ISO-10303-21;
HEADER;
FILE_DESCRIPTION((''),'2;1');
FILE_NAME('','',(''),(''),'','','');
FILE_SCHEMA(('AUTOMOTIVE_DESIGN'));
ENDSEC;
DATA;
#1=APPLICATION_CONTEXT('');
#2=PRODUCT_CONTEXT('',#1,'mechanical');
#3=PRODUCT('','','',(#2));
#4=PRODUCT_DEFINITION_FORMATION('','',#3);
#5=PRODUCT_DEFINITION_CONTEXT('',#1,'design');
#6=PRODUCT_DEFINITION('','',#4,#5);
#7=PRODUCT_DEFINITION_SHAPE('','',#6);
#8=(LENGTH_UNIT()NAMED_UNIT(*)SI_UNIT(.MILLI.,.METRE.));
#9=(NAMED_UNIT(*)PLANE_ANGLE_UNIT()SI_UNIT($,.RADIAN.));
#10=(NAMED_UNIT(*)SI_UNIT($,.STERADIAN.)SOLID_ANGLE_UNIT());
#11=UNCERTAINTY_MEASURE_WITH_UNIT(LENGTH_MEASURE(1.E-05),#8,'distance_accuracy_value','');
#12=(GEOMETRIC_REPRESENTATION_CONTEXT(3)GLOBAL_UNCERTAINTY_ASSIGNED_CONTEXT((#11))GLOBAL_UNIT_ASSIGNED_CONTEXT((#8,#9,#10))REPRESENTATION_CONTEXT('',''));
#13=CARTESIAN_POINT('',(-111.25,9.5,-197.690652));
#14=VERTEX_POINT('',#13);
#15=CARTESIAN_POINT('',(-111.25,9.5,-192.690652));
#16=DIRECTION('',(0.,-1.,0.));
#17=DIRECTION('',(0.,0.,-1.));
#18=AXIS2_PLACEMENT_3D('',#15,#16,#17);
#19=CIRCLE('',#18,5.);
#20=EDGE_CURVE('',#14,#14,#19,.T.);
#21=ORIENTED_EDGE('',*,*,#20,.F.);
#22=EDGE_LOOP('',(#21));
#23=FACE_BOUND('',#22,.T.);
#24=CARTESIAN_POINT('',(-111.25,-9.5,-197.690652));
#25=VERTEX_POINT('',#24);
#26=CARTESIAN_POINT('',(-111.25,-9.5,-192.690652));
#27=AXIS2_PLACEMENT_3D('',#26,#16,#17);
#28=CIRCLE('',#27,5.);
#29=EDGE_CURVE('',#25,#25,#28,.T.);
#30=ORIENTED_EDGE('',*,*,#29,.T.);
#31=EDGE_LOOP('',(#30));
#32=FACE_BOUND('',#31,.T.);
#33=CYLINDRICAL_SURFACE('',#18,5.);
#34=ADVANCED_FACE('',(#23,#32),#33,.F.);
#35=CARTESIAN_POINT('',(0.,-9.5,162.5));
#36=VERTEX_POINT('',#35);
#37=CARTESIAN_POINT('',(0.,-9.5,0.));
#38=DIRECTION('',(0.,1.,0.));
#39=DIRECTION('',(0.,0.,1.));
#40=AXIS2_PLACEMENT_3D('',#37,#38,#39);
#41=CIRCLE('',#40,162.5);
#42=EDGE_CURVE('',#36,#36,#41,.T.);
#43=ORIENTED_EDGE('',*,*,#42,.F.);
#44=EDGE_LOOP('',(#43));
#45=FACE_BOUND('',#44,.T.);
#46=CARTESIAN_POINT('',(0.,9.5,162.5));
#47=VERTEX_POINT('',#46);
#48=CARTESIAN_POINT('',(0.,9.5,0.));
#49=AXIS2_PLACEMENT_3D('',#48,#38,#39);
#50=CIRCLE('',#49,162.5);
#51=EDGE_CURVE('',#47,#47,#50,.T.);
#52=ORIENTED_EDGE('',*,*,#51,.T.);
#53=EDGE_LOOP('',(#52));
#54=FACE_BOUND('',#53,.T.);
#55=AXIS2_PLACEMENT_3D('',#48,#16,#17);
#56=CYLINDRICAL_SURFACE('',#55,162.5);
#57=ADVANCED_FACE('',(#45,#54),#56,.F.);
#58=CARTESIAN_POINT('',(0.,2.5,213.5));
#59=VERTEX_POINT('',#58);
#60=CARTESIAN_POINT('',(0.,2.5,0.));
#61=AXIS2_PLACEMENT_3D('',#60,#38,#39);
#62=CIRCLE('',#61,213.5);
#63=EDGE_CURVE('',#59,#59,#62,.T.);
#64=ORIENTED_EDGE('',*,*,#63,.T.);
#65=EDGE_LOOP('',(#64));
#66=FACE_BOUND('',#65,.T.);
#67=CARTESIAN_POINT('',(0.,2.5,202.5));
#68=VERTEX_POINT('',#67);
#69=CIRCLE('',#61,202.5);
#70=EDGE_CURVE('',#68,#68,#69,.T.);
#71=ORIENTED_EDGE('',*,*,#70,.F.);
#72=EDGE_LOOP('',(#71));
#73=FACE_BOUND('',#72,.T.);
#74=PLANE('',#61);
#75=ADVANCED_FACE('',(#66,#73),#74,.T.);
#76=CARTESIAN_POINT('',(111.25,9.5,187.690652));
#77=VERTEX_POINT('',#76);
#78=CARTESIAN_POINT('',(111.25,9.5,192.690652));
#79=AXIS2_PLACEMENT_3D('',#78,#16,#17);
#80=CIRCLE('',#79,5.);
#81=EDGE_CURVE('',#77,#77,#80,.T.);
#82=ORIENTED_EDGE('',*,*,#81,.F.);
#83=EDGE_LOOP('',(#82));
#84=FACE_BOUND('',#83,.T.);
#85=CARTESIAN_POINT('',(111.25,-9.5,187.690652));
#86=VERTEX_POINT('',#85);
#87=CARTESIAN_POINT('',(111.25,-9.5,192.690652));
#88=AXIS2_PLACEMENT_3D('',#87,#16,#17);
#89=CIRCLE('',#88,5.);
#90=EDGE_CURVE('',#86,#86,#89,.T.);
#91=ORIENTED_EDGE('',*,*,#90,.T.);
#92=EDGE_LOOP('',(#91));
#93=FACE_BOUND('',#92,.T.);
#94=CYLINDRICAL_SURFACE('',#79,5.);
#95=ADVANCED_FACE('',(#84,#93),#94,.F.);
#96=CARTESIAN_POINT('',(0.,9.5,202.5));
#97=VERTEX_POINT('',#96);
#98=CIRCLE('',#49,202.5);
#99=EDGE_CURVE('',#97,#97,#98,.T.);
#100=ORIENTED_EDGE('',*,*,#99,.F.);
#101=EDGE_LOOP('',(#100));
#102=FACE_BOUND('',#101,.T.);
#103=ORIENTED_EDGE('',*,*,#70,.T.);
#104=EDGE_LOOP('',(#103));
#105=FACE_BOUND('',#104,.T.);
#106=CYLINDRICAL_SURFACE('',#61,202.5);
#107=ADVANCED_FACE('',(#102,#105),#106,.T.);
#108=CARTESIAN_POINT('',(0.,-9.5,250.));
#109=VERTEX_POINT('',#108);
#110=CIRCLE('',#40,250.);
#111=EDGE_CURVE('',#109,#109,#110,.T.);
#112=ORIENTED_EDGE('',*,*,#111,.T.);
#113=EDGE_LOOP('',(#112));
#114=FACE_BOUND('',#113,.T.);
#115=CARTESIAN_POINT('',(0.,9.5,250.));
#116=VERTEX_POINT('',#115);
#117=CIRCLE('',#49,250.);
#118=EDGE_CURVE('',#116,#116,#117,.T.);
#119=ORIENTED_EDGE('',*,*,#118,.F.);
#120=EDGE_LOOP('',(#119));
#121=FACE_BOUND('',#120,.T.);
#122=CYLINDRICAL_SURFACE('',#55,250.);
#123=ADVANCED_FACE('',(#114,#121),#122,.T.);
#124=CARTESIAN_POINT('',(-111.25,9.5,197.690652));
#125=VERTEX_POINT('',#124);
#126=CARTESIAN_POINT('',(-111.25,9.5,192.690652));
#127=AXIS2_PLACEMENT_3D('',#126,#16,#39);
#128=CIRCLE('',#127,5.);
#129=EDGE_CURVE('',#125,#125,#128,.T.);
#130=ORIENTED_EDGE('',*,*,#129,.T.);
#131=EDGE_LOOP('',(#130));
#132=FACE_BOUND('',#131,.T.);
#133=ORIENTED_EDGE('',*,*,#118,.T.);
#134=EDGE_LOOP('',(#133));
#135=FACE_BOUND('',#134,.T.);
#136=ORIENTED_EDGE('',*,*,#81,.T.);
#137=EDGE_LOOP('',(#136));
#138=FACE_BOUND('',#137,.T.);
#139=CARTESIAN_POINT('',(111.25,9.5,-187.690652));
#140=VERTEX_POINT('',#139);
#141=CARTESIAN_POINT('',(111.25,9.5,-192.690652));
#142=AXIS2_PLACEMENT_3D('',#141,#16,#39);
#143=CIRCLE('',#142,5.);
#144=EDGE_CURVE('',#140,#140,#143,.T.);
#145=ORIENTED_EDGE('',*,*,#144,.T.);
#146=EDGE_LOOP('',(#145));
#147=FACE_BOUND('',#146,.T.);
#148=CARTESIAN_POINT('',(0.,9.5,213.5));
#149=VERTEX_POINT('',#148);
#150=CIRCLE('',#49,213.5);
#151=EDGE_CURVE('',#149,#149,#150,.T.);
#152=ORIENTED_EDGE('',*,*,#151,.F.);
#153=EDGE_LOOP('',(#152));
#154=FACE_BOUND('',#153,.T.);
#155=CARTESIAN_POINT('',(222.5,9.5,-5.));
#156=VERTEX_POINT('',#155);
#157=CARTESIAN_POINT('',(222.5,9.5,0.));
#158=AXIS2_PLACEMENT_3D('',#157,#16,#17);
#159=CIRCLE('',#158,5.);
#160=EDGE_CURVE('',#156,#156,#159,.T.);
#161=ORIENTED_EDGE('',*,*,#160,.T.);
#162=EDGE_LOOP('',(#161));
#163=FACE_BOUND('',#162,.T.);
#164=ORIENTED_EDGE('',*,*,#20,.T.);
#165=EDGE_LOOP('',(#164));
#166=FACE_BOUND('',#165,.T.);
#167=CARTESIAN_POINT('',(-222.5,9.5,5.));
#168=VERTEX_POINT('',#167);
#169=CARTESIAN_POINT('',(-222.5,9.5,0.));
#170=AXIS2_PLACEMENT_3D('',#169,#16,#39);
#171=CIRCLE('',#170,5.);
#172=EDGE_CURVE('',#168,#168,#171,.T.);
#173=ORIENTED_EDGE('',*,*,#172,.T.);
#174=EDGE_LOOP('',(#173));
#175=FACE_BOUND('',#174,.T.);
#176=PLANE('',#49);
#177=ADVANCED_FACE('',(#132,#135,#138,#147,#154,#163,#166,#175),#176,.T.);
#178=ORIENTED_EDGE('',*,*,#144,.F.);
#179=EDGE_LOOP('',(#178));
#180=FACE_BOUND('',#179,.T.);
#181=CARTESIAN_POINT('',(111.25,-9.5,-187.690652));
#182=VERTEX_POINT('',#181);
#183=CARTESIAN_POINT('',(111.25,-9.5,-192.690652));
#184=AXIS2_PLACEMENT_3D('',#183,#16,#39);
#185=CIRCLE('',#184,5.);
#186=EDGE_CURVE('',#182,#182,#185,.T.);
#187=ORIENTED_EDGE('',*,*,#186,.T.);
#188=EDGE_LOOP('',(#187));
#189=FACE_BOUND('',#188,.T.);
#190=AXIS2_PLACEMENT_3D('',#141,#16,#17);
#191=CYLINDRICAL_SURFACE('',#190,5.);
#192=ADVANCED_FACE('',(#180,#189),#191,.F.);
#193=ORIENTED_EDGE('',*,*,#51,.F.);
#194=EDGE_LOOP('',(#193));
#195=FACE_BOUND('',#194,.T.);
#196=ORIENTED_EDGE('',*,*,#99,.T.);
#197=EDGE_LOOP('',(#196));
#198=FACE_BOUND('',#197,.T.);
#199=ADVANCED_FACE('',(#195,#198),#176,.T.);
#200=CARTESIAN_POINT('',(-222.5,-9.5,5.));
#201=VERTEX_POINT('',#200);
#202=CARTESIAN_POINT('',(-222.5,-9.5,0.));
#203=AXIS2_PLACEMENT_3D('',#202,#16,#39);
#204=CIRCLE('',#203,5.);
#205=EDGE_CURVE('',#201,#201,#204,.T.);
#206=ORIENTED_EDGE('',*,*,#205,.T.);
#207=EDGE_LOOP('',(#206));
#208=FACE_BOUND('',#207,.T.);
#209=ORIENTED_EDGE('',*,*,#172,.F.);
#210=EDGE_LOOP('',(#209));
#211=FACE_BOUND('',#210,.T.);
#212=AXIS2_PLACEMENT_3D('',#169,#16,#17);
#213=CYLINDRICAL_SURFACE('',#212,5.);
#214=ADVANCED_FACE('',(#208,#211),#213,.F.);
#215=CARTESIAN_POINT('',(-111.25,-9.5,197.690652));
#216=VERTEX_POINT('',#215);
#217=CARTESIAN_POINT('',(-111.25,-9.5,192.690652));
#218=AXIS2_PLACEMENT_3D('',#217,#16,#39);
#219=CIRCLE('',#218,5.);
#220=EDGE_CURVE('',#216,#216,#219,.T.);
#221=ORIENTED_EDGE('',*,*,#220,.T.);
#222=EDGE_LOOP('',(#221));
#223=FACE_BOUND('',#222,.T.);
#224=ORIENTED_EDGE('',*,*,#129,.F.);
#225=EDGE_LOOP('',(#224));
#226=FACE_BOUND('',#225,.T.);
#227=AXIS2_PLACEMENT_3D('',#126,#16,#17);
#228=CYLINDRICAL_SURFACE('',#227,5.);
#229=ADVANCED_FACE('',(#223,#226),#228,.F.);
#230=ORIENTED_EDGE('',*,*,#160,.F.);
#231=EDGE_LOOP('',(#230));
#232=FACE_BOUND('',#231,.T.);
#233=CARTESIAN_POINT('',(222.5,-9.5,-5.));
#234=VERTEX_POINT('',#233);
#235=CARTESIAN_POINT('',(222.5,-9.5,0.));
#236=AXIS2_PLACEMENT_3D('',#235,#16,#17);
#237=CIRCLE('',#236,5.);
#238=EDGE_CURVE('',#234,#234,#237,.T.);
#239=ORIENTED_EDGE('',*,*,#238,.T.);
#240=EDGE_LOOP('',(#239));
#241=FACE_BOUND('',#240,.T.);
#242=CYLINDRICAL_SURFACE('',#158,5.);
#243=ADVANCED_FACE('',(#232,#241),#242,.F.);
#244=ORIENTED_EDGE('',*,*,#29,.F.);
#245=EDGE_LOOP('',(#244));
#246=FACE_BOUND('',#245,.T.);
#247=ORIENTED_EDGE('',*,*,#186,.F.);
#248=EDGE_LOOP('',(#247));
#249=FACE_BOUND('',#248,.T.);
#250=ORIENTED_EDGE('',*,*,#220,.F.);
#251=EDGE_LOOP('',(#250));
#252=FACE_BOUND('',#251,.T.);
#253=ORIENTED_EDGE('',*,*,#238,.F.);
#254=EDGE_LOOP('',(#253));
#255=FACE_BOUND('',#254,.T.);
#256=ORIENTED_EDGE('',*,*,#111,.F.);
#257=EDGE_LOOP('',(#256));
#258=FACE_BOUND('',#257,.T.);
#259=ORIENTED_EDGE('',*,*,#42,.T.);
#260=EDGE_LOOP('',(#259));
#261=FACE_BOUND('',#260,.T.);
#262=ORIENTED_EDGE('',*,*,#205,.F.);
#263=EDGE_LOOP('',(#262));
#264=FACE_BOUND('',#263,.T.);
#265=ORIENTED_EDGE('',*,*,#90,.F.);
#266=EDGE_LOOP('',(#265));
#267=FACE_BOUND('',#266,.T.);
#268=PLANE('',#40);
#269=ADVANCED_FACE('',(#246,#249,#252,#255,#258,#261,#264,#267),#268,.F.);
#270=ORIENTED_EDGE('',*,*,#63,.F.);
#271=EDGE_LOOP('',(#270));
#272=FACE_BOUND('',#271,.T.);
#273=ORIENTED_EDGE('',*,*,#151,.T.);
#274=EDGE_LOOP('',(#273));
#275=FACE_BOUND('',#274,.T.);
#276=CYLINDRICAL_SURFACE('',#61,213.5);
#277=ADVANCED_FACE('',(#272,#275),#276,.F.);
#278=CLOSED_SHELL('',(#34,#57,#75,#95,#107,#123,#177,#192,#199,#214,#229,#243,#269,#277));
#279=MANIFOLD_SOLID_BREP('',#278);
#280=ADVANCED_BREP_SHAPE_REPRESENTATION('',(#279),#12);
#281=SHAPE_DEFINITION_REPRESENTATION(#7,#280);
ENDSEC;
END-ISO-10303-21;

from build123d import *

# Parameters (mm, degrees)
SKETCH1_R           = 250
SKETCH1_R_2         = 162.5
BOSS_EXTRUDE1_DEPTH = 9.5
SKETCH2_R           = 213.5
SKETCH2_R_2         = 202.5
CUT_EXTRUDE1_DEPTH  = 7
SKETCH3_R           = 5
CUT_EXTRUDE2_DEPTH  = 355.063553617


with BuildPart() as part:
    # Sketch1 → Boss-Extrude1 (new, symmetric)
    with BuildSketch(Plane(origin=(0, 0, 0), x_dir=(1, 0, 0), z_dir=(0, 1, 0))):
        with Locations(Location((0, 0, 0), (0, 0, 270))):
            Circle(SKETCH1_R)
        with Locations(Location((0, 0, 0), (0, 0, 270))):
            Circle(SKETCH1_R_2, mode=Mode.SUBTRACT)
    extrude(amount=BOSS_EXTRUDE1_DEPTH, both=True)

    # Sketch2 → Cut-Extrude1 (cut)
    with BuildSketch(Plane(origin=(0, 9.5, 0), x_dir=(1, 0, 0), z_dir=(0, 1, 0))):
        with Locations(Location((0, 0, 0), (0, 0, 270))):
            Circle(SKETCH2_R)
        with Locations(Location((0, 0, 0), (0, 0, 270))):
            Circle(SKETCH2_R_2, mode=Mode.SUBTRACT)
    extrude(amount=-CUT_EXTRUDE1_DEPTH, mode=Mode.SUBTRACT)

    # Sketch3 → Cut-Extrude2 (cut, through all)
    with BuildSketch(Plane.XZ.offset(9.5)):
        with Locations(Location((111.25, 192.690652342, 0), (0, 0, 270))):
            Circle(SKETCH3_R)
        with Locations(Location((222.5, 0, 0), (0, 0, 270))):
            Circle(SKETCH3_R)
        with Locations(Location((-222.5, 0, 0), (0, 0, 90))):
            Circle(SKETCH3_R)
        with Locations(Location((-111.25, 192.690652342, 0), (0, 0, 90))):
            Circle(SKETCH3_R)
        with Locations(Location((-111.25, -192.690652342, 0), (0, 0, 270))):
            Circle(SKETCH3_R)
        with Locations(Location((111.25, -192.690652342, 0), (0, 0, 90))):
            Circle(SKETCH3_R)
    extrude(amount=-CUT_EXTRUDE2_DEPTH, mode=Mode.SUBTRACT)


solid = part.part
